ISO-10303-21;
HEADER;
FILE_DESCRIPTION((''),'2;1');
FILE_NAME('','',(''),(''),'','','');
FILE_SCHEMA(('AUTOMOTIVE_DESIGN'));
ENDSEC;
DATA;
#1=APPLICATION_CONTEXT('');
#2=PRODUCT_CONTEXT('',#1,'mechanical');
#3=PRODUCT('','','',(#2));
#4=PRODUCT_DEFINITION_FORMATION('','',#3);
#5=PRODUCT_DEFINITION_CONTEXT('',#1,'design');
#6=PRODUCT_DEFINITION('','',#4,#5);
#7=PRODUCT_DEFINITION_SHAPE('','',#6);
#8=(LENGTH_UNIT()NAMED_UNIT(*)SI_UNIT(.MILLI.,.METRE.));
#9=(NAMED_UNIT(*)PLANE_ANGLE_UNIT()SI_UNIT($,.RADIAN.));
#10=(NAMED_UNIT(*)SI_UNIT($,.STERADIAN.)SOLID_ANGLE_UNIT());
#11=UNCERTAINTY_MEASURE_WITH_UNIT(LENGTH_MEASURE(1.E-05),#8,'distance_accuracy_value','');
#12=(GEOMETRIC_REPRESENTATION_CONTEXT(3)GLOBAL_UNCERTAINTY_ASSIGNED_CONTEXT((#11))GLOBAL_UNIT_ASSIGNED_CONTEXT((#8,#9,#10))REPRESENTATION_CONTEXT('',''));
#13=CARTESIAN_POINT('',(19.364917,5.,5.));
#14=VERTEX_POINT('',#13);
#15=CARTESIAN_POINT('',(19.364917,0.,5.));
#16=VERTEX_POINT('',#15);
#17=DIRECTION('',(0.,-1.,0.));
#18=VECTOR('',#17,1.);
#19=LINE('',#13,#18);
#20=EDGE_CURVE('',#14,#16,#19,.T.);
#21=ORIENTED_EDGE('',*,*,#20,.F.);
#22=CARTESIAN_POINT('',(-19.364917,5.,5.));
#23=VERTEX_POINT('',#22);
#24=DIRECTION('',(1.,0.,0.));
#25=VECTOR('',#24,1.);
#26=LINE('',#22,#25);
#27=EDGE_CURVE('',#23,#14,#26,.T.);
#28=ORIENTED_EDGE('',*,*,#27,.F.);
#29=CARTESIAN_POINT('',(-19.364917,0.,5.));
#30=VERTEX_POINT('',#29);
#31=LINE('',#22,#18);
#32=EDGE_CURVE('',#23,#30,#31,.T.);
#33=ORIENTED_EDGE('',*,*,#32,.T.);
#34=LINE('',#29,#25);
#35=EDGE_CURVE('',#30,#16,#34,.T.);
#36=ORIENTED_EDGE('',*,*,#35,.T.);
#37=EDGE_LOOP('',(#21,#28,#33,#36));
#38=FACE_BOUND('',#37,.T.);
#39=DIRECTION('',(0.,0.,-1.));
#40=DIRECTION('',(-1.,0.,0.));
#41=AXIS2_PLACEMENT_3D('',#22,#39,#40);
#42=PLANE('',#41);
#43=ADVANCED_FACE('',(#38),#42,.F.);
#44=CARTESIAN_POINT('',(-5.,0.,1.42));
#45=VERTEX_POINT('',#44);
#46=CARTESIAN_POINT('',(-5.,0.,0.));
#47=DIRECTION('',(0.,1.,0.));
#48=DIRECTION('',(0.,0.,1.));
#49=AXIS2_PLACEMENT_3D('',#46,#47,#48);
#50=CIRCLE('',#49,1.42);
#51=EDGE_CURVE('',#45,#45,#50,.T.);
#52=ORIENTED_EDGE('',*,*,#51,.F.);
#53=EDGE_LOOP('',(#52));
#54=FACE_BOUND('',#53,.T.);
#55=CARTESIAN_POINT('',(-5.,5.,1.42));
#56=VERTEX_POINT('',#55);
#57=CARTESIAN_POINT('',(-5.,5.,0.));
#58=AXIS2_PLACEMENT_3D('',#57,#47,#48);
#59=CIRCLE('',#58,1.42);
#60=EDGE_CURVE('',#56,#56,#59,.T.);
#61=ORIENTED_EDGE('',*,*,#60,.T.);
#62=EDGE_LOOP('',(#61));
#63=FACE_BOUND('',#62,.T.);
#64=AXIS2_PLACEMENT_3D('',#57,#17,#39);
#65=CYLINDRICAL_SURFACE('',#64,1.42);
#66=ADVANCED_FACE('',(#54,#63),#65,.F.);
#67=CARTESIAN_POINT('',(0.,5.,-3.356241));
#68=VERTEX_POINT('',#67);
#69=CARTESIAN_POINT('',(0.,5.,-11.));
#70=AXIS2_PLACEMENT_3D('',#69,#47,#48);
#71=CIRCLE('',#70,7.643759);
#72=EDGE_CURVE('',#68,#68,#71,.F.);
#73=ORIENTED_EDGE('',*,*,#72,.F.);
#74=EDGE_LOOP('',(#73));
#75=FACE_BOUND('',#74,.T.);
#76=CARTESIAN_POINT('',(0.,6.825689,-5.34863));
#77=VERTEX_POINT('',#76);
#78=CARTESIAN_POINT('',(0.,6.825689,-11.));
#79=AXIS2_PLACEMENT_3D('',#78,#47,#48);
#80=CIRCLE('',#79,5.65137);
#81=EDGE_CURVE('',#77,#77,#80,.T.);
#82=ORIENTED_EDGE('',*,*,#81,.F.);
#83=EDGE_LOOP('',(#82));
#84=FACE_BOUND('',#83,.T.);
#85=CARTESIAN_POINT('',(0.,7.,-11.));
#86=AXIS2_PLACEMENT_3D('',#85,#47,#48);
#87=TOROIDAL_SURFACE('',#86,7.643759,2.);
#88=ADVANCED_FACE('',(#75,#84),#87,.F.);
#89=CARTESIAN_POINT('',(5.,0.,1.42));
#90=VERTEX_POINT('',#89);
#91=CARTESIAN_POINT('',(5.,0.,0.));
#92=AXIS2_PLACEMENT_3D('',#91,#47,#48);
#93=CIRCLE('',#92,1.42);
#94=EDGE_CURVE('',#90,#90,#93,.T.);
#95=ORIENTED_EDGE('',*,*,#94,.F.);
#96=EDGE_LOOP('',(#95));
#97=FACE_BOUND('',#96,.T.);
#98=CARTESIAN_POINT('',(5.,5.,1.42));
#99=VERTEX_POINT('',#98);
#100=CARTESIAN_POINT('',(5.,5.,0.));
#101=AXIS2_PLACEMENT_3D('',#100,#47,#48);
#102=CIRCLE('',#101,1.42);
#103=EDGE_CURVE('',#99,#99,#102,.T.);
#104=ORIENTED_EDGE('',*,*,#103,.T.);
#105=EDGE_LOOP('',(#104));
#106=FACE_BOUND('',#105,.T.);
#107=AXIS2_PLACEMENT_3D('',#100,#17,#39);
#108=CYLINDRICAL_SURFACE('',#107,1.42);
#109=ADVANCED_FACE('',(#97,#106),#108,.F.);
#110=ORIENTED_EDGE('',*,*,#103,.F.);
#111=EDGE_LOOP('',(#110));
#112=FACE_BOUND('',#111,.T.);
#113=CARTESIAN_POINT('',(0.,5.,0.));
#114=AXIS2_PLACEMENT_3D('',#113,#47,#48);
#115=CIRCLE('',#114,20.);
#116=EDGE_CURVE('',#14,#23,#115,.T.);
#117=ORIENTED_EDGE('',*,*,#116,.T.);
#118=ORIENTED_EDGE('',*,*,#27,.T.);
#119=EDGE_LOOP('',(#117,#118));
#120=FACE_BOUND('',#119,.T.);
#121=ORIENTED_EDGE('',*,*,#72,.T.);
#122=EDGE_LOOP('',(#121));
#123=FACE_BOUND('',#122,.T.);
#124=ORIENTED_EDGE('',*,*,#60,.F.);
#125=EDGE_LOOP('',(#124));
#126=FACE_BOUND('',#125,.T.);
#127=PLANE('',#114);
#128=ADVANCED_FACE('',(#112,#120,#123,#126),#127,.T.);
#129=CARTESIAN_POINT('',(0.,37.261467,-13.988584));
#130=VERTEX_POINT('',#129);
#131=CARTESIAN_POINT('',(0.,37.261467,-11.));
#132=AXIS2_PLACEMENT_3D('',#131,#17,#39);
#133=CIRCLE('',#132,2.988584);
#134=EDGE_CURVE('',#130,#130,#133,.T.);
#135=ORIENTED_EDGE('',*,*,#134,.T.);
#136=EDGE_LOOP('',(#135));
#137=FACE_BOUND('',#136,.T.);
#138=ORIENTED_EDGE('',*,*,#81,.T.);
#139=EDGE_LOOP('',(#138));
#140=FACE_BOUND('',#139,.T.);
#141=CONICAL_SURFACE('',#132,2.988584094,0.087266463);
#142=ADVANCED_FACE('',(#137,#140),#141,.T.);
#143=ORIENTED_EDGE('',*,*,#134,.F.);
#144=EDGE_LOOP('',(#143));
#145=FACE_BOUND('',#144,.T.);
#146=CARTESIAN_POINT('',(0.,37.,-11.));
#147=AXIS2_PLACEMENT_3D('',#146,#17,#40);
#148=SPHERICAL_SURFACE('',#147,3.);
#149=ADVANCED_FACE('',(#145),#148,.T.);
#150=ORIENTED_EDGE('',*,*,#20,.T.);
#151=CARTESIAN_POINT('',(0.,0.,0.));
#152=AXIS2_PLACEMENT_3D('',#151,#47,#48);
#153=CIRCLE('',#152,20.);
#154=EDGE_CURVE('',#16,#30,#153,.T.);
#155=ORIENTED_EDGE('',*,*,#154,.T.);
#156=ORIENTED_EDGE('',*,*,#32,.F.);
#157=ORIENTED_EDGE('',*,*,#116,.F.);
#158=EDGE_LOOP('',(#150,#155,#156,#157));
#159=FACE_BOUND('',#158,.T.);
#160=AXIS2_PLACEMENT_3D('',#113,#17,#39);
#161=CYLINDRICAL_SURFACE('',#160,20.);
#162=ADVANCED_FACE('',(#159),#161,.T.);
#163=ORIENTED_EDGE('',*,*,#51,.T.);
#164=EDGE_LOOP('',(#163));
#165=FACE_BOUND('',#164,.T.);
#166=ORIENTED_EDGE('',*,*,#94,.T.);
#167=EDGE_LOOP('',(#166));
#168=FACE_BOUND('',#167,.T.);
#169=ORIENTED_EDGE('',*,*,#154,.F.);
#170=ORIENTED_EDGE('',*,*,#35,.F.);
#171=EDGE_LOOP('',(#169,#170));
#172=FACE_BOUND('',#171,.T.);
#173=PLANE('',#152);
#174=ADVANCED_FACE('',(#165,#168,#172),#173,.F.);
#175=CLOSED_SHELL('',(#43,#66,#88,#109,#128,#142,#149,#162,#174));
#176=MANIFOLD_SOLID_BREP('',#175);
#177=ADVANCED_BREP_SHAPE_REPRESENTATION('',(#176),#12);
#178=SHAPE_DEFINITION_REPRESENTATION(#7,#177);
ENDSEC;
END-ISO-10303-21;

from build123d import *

# Parameters (mm, degrees)
SKETCH1_R           = 1.42
BOSS_EXTRUDE1_DEPTH = 5
FILLET1_R           = 2


with BuildPart() as part:
    # Sketch1 → Boss-Extrude1 (new body)
    with BuildSketch(Plane(origin=(0, 0, 0), x_dir=(1, 0, 0), z_dir=(0, 1, 0))):
        with BuildLine():
            Line((-19.364916731, -5), (19.364916731, -5))
            ThreePointArc((19.364916731, -5), (0, 20), (-19.364916731, -5))
        make_face()
        with Locations((-5, 0)):
            Circle(SKETCH1_R, mode=Mode.SUBTRACT)
        with Locations((5, 0)):
            Circle(SKETCH1_R, mode=Mode.SUBTRACT)
    extrude(amount=BOSS_EXTRUDE1_DEPTH)

    # Sketch2 → Revolve1 (revolve)
    with BuildSketch(Plane.XY.offset(-11)):
        with BuildLine():
            Line((0, 5), (0, 40))
            ThreePointArc((0, 40), (-2.026770623, 39.21183201), (-2.988584094, 37.261467228))
            Line((-2.988584094, 37.261467228), (-5.811096745, 5))
            Line((-5.811096745, 5), (0, 5))
        make_face()
    revolve(axis=Axis((0, 5, -11), (0, 1, 0)))

    # Fillet1
    fillet1_edges = [part.edges().sort_by_distance(p)[0] for p in [
        (5.811096745, 5, -11),
    ]]
    fillet(fillet1_edges, radius=FILLET1_R)


solid = part.part
